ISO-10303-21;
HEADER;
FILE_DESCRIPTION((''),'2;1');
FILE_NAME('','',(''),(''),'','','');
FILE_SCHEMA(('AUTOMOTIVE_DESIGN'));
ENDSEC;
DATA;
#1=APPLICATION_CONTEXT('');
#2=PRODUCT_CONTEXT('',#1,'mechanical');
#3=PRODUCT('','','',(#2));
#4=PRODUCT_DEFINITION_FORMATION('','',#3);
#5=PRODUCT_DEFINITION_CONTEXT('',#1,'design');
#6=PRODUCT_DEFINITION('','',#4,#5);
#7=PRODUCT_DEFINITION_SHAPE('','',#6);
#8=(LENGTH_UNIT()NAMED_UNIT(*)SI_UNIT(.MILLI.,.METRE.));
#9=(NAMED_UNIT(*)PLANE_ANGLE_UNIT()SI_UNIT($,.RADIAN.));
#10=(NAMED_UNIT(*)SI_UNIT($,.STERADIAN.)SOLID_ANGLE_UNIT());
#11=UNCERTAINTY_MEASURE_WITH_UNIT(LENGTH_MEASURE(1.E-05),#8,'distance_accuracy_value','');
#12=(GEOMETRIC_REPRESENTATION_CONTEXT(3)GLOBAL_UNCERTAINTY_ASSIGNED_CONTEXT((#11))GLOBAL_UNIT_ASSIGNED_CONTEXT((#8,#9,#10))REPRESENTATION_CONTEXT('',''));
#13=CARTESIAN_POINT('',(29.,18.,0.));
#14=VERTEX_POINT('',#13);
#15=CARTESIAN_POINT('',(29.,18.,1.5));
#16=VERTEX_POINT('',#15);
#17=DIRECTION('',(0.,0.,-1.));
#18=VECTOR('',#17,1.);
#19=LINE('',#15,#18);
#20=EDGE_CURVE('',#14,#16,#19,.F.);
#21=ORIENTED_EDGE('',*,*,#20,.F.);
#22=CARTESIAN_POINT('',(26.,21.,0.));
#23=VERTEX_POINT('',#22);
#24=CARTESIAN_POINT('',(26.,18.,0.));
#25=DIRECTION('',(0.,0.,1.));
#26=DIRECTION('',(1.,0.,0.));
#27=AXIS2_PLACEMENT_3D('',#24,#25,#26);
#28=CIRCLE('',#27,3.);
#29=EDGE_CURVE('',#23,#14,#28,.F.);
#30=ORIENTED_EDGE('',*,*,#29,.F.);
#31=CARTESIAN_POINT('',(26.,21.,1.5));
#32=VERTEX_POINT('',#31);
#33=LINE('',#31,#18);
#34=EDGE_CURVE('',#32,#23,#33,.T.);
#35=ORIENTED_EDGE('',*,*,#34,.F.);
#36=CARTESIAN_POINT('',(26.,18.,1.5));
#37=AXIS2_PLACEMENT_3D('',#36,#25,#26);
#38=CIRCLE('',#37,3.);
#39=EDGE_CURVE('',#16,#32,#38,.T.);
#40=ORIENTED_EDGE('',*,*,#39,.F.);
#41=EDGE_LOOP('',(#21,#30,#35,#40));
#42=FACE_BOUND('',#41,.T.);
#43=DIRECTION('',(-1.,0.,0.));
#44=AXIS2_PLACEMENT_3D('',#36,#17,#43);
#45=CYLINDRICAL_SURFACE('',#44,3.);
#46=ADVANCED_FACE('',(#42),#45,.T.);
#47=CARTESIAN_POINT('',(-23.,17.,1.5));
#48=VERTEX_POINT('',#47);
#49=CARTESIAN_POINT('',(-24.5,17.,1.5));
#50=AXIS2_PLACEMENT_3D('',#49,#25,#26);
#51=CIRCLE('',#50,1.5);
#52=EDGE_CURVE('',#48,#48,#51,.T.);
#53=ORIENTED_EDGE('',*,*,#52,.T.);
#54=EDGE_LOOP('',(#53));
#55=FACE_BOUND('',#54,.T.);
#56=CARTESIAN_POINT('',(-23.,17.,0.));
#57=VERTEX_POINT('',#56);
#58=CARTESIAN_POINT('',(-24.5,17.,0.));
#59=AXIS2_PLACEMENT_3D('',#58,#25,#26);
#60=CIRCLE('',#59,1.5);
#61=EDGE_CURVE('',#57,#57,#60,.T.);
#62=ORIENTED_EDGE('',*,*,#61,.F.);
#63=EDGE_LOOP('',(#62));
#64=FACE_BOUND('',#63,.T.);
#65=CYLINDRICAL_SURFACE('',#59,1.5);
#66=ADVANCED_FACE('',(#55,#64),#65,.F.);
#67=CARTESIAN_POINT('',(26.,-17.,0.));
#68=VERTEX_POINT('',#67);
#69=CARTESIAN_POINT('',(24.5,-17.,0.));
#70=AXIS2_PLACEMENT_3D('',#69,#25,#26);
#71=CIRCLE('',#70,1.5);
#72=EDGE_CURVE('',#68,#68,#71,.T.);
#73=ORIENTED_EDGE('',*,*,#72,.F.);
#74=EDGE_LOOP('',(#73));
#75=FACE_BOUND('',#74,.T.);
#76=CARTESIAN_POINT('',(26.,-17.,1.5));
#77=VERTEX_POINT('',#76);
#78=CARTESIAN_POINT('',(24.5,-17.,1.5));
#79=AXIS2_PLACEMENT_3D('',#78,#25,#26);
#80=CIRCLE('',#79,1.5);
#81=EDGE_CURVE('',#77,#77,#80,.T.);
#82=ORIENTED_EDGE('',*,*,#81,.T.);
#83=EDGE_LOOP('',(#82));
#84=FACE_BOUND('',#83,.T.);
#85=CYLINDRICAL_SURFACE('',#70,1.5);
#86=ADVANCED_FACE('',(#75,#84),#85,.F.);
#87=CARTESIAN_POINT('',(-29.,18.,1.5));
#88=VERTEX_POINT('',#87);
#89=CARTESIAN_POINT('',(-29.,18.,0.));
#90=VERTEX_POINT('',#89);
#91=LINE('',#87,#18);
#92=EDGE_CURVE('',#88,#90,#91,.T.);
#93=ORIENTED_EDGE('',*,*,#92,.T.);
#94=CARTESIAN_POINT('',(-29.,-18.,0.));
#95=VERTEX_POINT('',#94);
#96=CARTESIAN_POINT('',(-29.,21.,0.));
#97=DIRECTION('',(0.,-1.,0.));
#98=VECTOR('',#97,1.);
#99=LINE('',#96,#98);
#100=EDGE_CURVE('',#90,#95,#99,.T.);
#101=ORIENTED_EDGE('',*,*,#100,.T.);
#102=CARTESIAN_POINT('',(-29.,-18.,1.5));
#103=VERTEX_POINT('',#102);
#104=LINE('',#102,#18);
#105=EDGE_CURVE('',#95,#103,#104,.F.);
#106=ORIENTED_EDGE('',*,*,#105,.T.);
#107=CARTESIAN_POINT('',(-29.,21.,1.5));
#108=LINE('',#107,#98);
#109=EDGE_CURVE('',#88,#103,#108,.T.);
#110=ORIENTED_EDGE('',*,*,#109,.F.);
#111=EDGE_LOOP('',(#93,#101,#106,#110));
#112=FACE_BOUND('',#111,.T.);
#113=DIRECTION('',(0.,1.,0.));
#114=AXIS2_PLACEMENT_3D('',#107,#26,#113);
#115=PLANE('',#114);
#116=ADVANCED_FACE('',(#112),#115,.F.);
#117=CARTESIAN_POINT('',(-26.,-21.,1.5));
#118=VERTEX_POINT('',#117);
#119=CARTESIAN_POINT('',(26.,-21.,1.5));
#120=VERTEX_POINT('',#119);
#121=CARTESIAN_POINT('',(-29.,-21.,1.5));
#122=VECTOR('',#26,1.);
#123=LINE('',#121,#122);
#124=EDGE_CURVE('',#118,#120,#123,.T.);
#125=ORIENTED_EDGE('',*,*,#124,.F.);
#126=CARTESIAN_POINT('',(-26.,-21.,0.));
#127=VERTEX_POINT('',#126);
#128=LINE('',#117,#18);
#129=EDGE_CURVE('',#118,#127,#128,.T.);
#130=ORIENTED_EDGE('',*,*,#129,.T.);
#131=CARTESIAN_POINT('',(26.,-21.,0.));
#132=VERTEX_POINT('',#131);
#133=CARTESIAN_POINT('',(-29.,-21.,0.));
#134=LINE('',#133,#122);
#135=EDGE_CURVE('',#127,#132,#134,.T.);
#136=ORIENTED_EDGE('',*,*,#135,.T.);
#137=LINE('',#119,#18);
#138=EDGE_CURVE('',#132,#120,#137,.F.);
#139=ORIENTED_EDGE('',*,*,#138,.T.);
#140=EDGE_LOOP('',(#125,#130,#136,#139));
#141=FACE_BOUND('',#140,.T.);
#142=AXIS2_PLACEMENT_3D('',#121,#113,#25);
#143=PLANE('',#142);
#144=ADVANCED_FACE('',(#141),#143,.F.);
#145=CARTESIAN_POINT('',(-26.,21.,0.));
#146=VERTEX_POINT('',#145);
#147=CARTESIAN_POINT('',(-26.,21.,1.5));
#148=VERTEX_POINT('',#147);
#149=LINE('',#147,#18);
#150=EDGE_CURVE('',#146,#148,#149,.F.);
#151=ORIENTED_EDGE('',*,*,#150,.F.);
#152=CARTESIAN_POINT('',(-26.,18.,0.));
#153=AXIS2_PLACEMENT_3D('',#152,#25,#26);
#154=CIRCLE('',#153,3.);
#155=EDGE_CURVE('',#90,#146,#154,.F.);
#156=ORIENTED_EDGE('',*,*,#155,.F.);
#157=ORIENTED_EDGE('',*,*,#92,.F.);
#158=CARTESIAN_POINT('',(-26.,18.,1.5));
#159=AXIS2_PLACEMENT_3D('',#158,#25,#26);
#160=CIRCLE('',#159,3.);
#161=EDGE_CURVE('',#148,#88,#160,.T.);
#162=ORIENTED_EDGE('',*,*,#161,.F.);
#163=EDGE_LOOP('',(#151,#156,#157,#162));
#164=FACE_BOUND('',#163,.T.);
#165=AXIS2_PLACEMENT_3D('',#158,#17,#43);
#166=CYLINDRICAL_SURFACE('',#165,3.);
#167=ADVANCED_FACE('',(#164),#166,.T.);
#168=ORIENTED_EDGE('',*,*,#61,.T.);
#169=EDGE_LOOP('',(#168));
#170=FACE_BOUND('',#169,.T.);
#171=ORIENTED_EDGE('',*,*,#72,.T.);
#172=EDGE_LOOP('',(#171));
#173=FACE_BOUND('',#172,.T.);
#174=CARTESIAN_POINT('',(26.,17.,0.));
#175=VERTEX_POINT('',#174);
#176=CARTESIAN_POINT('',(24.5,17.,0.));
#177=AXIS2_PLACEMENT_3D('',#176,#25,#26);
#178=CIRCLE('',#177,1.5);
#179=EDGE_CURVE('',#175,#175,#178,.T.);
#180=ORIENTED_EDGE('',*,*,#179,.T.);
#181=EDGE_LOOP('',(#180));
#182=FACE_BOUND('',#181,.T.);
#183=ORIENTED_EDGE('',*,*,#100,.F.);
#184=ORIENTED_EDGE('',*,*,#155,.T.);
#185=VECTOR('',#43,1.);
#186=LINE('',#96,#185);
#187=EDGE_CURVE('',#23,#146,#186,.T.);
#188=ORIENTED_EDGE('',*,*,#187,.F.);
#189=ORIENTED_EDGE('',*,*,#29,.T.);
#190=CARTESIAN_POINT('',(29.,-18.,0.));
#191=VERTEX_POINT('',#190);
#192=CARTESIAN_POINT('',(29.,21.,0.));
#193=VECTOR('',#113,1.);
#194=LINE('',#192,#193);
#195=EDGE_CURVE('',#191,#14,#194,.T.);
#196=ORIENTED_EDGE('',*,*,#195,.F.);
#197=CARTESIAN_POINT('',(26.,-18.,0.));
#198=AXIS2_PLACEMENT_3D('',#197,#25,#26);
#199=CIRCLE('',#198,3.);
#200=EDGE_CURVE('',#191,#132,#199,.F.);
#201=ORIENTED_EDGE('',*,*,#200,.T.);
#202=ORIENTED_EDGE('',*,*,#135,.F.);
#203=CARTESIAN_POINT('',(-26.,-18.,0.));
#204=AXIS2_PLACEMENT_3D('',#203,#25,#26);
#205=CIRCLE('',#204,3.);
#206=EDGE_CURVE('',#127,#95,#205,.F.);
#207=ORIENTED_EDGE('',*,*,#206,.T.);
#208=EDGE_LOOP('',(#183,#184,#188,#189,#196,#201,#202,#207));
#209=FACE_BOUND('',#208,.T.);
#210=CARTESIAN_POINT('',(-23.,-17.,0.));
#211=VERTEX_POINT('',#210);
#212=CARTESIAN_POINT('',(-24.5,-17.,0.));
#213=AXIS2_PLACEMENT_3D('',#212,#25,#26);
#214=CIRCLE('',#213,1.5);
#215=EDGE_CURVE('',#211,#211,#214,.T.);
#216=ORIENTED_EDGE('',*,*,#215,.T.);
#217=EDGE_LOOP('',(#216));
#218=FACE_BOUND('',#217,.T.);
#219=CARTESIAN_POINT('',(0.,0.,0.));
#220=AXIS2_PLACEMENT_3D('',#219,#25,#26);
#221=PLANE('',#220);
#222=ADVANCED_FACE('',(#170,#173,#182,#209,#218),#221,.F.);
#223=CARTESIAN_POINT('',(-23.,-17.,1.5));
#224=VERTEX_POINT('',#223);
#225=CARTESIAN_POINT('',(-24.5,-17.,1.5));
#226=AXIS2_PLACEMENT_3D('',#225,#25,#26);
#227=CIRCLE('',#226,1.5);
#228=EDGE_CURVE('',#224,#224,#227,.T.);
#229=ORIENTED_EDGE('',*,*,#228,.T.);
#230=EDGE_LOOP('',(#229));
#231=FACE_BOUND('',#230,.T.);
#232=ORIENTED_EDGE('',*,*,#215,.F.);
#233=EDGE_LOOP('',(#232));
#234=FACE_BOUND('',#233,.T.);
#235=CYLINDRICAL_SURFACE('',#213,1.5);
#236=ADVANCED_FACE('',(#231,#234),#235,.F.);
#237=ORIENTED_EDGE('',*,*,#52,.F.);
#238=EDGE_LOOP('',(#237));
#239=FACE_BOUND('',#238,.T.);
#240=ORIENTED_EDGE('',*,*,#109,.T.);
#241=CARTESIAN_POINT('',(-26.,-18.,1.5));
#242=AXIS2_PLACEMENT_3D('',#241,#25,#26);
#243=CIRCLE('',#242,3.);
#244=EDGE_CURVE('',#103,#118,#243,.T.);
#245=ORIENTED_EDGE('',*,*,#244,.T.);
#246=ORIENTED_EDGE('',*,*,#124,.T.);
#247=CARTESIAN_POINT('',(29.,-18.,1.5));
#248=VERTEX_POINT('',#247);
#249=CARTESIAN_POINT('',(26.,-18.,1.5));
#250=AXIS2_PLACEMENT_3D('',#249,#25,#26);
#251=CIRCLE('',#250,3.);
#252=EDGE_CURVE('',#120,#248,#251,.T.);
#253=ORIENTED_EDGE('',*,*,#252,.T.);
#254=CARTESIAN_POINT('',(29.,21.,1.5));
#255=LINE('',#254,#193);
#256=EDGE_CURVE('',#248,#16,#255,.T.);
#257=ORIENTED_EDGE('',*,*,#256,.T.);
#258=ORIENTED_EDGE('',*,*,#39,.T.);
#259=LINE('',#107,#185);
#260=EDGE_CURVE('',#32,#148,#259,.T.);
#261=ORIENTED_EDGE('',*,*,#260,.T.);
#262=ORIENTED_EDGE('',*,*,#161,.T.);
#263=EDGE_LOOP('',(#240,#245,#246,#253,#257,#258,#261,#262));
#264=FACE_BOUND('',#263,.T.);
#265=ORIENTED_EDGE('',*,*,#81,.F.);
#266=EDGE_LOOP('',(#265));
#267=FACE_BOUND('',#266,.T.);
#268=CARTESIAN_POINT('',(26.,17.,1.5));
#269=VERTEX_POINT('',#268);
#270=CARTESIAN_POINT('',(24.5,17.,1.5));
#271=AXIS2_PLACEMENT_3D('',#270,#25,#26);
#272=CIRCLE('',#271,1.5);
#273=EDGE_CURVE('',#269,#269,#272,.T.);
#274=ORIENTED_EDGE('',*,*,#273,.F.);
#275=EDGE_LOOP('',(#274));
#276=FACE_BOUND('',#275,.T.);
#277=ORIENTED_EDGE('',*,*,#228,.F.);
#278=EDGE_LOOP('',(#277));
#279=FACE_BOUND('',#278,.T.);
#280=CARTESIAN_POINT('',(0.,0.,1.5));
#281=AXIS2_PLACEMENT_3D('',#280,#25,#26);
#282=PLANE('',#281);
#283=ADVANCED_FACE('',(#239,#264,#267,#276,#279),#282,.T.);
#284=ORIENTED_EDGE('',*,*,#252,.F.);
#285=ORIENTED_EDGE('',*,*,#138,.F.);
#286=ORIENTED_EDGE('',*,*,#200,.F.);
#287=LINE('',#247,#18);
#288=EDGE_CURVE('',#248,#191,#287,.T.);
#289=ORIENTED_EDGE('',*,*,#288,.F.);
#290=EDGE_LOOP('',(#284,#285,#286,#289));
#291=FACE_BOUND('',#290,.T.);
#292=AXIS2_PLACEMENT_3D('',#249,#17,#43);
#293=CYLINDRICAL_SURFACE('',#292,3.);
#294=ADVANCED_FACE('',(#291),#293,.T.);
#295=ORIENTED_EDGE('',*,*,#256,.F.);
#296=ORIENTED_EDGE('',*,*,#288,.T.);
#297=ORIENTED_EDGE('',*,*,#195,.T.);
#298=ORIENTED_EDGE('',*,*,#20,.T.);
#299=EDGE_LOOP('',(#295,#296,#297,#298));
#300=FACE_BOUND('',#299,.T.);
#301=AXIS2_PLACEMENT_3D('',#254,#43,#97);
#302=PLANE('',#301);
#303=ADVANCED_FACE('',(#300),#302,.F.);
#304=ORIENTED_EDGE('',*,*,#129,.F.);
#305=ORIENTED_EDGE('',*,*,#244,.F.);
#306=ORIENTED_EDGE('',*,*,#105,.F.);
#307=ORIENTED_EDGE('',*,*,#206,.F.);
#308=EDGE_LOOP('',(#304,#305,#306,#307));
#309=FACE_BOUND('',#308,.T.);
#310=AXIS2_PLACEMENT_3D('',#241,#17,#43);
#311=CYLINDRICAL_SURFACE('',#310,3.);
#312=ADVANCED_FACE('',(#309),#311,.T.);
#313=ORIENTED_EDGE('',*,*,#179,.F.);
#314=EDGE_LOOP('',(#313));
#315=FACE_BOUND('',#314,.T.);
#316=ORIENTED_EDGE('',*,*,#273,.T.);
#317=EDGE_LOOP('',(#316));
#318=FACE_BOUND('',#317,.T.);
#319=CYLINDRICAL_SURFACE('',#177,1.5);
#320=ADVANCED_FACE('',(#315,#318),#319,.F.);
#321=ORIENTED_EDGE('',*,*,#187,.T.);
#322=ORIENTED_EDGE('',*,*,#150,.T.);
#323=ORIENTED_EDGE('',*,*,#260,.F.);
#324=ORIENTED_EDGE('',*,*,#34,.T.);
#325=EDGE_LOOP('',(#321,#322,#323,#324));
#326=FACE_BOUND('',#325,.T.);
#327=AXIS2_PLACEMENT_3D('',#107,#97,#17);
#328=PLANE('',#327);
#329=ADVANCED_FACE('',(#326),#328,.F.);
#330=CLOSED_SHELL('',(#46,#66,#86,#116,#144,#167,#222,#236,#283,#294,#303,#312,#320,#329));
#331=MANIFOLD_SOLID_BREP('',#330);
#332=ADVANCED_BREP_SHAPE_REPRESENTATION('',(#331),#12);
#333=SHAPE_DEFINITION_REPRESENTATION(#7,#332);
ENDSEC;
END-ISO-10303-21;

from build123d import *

# Parameters (mm, degrees)
SKETCH_1_W          = 58
SKETCH_1_H          = 42
EXTRUDE_1_DEPTH     = 1.5
SKETCH_2_R          = 1.5
CUT_EXTRUDE_1_DEPTH = 1.5
FILLET_1_R          = 3


with BuildPart() as part:
    # 草图1 → 凸台-拉伸1 (new body)
    with BuildSketch(Plane.XY):
        Rectangle(SKETCH_1_W, SKETCH_1_H)
    extrude(amount=EXTRUDE_1_DEPTH)

    # 草图2 → 切除-拉伸1 (cut)
    with BuildSketch(Plane.XY.offset(1.5)):
        with Locations((-24.5, 17)):
            Circle(SKETCH_2_R)
        with Locations((-24.5, -17)):
            Circle(SKETCH_2_R)
        with Locations((24.5, -17)):
            Circle(SKETCH_2_R)
        with Locations((24.5, 17)):
            Circle(SKETCH_2_R)
    extrude(amount=-CUT_EXTRUDE_1_DEPTH, mode=Mode.SUBTRACT)

    # 圆角1
    fillet_1_edges = [part.edges().sort_by_distance(p)[0] for p in [
        (29, -21, 0.75),
        (-29, -21, 0.75),
        (-29, 21, 0.75),
        (29, 21, 0.75),
    ]]
    fillet(fillet_1_edges, radius=FILLET_1_R)


solid = part.part
